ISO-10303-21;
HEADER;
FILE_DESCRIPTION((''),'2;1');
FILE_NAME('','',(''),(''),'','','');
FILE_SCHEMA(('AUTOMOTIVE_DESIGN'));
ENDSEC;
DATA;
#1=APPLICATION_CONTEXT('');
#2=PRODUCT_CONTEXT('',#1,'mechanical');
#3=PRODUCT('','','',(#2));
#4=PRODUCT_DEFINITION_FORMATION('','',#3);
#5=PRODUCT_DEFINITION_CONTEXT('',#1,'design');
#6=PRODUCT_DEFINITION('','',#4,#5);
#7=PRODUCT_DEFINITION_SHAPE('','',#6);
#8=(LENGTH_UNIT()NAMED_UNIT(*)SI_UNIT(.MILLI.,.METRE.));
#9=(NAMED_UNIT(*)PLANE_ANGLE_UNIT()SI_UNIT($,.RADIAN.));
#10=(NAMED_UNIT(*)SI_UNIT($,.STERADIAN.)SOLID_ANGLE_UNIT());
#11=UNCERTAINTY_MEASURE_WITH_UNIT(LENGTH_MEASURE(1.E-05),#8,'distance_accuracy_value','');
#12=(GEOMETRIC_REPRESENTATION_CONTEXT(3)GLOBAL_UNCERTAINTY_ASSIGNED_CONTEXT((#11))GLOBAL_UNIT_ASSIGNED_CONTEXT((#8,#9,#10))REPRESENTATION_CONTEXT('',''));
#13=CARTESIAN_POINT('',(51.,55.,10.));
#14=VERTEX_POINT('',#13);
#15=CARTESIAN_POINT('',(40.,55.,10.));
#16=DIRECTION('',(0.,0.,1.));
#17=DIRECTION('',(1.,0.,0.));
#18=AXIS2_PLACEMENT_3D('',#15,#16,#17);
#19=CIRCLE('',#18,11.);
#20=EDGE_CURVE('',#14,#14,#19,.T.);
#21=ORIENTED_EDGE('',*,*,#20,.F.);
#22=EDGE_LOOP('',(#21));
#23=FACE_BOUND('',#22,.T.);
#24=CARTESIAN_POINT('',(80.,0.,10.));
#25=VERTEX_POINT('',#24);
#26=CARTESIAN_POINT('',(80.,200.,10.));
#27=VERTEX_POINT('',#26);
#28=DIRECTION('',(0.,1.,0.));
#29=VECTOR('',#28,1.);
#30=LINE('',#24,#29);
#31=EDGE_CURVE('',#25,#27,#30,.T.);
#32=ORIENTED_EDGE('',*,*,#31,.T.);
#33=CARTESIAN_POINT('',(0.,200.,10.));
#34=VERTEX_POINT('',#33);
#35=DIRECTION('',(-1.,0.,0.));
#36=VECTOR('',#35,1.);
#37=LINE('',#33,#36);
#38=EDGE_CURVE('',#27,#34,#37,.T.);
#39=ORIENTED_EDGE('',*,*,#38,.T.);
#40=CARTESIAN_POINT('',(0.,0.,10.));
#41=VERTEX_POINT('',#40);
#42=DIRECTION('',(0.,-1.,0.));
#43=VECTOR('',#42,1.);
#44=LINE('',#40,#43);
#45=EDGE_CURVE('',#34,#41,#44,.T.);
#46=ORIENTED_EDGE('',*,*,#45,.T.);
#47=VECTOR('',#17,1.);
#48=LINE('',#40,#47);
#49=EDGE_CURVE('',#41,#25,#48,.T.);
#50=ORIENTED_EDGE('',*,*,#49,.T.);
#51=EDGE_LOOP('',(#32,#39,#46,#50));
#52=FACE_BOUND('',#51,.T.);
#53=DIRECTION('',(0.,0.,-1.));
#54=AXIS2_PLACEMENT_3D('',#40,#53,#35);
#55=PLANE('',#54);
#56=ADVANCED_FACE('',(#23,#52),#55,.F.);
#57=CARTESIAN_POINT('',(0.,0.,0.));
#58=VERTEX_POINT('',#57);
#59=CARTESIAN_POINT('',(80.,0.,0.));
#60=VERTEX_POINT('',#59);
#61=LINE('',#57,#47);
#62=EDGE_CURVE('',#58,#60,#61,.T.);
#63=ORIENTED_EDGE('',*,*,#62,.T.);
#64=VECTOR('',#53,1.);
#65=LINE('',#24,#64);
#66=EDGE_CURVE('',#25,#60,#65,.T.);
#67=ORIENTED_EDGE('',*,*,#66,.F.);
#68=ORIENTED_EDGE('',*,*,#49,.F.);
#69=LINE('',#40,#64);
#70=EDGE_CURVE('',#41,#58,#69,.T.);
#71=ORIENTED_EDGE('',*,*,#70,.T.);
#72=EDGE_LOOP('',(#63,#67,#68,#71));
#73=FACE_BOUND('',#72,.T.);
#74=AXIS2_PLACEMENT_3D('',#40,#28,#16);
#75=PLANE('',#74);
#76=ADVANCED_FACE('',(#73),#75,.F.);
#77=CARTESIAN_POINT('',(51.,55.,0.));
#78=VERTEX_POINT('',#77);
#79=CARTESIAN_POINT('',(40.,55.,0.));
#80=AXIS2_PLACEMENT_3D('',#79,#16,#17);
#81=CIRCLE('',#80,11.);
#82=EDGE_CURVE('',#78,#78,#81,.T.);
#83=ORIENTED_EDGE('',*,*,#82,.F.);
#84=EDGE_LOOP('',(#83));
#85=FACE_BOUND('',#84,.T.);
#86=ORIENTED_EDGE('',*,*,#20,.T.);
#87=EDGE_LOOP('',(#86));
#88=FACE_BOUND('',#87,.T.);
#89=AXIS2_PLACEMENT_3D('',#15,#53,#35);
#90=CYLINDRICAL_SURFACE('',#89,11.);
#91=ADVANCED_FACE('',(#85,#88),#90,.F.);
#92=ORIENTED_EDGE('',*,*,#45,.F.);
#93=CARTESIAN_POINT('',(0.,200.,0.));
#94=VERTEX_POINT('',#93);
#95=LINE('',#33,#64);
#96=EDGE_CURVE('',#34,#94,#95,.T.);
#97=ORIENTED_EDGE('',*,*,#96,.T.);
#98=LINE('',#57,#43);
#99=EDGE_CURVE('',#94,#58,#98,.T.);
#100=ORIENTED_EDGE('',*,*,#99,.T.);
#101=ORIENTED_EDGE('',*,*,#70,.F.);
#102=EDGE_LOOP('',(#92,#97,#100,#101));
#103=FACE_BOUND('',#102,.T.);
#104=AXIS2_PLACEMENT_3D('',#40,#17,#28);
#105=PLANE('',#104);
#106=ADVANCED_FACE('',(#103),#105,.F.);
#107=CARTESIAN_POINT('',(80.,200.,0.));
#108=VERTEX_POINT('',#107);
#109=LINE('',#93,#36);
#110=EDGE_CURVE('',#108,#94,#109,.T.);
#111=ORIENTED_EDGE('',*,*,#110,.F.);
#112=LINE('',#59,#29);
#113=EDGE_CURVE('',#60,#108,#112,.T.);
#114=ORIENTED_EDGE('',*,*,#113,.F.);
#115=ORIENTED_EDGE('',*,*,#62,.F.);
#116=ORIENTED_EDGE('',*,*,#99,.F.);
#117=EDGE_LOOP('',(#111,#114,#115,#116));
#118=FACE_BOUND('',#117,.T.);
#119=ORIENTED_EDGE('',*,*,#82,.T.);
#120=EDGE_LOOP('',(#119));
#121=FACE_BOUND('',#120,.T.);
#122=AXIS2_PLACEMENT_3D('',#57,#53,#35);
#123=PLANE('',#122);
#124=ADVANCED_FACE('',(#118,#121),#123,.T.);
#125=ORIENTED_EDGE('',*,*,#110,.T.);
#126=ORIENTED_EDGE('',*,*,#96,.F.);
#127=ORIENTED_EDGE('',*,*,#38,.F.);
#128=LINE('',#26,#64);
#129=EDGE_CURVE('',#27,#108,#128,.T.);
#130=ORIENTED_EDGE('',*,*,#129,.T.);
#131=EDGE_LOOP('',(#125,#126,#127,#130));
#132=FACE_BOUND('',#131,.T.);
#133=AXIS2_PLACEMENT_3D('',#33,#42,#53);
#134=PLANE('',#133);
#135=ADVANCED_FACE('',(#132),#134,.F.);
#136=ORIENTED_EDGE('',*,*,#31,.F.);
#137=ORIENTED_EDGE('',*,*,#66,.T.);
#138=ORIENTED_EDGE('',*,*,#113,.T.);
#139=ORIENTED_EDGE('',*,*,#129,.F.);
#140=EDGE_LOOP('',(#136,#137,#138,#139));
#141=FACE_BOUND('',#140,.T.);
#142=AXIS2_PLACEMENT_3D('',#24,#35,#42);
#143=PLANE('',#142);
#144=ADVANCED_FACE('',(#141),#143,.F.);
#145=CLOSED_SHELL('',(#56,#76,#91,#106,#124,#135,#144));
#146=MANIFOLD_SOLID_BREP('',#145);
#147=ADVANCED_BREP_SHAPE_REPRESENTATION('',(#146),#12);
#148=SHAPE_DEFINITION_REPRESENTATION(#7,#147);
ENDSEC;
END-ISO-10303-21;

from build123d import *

# Parameters (mm, degrees)
CROQUIS1_W              = 80
CROQUIS1_H              = 200
CROQUIS1_R              = 11
SALIENTE_EXTRUIR1_DEPTH = 10


with BuildPart() as part:
    # Croquis1 → Saliente-Extruir1 (new body)
    with BuildSketch(Plane.XY):
        with Locations((40, 100)):
            Rectangle(CROQUIS1_W, CROQUIS1_H)
        with Locations((40, 55)):
            Circle(CROQUIS1_R, mode=Mode.SUBTRACT)
    extrude(amount=SALIENTE_EXTRUIR1_DEPTH)


solid = part.part
